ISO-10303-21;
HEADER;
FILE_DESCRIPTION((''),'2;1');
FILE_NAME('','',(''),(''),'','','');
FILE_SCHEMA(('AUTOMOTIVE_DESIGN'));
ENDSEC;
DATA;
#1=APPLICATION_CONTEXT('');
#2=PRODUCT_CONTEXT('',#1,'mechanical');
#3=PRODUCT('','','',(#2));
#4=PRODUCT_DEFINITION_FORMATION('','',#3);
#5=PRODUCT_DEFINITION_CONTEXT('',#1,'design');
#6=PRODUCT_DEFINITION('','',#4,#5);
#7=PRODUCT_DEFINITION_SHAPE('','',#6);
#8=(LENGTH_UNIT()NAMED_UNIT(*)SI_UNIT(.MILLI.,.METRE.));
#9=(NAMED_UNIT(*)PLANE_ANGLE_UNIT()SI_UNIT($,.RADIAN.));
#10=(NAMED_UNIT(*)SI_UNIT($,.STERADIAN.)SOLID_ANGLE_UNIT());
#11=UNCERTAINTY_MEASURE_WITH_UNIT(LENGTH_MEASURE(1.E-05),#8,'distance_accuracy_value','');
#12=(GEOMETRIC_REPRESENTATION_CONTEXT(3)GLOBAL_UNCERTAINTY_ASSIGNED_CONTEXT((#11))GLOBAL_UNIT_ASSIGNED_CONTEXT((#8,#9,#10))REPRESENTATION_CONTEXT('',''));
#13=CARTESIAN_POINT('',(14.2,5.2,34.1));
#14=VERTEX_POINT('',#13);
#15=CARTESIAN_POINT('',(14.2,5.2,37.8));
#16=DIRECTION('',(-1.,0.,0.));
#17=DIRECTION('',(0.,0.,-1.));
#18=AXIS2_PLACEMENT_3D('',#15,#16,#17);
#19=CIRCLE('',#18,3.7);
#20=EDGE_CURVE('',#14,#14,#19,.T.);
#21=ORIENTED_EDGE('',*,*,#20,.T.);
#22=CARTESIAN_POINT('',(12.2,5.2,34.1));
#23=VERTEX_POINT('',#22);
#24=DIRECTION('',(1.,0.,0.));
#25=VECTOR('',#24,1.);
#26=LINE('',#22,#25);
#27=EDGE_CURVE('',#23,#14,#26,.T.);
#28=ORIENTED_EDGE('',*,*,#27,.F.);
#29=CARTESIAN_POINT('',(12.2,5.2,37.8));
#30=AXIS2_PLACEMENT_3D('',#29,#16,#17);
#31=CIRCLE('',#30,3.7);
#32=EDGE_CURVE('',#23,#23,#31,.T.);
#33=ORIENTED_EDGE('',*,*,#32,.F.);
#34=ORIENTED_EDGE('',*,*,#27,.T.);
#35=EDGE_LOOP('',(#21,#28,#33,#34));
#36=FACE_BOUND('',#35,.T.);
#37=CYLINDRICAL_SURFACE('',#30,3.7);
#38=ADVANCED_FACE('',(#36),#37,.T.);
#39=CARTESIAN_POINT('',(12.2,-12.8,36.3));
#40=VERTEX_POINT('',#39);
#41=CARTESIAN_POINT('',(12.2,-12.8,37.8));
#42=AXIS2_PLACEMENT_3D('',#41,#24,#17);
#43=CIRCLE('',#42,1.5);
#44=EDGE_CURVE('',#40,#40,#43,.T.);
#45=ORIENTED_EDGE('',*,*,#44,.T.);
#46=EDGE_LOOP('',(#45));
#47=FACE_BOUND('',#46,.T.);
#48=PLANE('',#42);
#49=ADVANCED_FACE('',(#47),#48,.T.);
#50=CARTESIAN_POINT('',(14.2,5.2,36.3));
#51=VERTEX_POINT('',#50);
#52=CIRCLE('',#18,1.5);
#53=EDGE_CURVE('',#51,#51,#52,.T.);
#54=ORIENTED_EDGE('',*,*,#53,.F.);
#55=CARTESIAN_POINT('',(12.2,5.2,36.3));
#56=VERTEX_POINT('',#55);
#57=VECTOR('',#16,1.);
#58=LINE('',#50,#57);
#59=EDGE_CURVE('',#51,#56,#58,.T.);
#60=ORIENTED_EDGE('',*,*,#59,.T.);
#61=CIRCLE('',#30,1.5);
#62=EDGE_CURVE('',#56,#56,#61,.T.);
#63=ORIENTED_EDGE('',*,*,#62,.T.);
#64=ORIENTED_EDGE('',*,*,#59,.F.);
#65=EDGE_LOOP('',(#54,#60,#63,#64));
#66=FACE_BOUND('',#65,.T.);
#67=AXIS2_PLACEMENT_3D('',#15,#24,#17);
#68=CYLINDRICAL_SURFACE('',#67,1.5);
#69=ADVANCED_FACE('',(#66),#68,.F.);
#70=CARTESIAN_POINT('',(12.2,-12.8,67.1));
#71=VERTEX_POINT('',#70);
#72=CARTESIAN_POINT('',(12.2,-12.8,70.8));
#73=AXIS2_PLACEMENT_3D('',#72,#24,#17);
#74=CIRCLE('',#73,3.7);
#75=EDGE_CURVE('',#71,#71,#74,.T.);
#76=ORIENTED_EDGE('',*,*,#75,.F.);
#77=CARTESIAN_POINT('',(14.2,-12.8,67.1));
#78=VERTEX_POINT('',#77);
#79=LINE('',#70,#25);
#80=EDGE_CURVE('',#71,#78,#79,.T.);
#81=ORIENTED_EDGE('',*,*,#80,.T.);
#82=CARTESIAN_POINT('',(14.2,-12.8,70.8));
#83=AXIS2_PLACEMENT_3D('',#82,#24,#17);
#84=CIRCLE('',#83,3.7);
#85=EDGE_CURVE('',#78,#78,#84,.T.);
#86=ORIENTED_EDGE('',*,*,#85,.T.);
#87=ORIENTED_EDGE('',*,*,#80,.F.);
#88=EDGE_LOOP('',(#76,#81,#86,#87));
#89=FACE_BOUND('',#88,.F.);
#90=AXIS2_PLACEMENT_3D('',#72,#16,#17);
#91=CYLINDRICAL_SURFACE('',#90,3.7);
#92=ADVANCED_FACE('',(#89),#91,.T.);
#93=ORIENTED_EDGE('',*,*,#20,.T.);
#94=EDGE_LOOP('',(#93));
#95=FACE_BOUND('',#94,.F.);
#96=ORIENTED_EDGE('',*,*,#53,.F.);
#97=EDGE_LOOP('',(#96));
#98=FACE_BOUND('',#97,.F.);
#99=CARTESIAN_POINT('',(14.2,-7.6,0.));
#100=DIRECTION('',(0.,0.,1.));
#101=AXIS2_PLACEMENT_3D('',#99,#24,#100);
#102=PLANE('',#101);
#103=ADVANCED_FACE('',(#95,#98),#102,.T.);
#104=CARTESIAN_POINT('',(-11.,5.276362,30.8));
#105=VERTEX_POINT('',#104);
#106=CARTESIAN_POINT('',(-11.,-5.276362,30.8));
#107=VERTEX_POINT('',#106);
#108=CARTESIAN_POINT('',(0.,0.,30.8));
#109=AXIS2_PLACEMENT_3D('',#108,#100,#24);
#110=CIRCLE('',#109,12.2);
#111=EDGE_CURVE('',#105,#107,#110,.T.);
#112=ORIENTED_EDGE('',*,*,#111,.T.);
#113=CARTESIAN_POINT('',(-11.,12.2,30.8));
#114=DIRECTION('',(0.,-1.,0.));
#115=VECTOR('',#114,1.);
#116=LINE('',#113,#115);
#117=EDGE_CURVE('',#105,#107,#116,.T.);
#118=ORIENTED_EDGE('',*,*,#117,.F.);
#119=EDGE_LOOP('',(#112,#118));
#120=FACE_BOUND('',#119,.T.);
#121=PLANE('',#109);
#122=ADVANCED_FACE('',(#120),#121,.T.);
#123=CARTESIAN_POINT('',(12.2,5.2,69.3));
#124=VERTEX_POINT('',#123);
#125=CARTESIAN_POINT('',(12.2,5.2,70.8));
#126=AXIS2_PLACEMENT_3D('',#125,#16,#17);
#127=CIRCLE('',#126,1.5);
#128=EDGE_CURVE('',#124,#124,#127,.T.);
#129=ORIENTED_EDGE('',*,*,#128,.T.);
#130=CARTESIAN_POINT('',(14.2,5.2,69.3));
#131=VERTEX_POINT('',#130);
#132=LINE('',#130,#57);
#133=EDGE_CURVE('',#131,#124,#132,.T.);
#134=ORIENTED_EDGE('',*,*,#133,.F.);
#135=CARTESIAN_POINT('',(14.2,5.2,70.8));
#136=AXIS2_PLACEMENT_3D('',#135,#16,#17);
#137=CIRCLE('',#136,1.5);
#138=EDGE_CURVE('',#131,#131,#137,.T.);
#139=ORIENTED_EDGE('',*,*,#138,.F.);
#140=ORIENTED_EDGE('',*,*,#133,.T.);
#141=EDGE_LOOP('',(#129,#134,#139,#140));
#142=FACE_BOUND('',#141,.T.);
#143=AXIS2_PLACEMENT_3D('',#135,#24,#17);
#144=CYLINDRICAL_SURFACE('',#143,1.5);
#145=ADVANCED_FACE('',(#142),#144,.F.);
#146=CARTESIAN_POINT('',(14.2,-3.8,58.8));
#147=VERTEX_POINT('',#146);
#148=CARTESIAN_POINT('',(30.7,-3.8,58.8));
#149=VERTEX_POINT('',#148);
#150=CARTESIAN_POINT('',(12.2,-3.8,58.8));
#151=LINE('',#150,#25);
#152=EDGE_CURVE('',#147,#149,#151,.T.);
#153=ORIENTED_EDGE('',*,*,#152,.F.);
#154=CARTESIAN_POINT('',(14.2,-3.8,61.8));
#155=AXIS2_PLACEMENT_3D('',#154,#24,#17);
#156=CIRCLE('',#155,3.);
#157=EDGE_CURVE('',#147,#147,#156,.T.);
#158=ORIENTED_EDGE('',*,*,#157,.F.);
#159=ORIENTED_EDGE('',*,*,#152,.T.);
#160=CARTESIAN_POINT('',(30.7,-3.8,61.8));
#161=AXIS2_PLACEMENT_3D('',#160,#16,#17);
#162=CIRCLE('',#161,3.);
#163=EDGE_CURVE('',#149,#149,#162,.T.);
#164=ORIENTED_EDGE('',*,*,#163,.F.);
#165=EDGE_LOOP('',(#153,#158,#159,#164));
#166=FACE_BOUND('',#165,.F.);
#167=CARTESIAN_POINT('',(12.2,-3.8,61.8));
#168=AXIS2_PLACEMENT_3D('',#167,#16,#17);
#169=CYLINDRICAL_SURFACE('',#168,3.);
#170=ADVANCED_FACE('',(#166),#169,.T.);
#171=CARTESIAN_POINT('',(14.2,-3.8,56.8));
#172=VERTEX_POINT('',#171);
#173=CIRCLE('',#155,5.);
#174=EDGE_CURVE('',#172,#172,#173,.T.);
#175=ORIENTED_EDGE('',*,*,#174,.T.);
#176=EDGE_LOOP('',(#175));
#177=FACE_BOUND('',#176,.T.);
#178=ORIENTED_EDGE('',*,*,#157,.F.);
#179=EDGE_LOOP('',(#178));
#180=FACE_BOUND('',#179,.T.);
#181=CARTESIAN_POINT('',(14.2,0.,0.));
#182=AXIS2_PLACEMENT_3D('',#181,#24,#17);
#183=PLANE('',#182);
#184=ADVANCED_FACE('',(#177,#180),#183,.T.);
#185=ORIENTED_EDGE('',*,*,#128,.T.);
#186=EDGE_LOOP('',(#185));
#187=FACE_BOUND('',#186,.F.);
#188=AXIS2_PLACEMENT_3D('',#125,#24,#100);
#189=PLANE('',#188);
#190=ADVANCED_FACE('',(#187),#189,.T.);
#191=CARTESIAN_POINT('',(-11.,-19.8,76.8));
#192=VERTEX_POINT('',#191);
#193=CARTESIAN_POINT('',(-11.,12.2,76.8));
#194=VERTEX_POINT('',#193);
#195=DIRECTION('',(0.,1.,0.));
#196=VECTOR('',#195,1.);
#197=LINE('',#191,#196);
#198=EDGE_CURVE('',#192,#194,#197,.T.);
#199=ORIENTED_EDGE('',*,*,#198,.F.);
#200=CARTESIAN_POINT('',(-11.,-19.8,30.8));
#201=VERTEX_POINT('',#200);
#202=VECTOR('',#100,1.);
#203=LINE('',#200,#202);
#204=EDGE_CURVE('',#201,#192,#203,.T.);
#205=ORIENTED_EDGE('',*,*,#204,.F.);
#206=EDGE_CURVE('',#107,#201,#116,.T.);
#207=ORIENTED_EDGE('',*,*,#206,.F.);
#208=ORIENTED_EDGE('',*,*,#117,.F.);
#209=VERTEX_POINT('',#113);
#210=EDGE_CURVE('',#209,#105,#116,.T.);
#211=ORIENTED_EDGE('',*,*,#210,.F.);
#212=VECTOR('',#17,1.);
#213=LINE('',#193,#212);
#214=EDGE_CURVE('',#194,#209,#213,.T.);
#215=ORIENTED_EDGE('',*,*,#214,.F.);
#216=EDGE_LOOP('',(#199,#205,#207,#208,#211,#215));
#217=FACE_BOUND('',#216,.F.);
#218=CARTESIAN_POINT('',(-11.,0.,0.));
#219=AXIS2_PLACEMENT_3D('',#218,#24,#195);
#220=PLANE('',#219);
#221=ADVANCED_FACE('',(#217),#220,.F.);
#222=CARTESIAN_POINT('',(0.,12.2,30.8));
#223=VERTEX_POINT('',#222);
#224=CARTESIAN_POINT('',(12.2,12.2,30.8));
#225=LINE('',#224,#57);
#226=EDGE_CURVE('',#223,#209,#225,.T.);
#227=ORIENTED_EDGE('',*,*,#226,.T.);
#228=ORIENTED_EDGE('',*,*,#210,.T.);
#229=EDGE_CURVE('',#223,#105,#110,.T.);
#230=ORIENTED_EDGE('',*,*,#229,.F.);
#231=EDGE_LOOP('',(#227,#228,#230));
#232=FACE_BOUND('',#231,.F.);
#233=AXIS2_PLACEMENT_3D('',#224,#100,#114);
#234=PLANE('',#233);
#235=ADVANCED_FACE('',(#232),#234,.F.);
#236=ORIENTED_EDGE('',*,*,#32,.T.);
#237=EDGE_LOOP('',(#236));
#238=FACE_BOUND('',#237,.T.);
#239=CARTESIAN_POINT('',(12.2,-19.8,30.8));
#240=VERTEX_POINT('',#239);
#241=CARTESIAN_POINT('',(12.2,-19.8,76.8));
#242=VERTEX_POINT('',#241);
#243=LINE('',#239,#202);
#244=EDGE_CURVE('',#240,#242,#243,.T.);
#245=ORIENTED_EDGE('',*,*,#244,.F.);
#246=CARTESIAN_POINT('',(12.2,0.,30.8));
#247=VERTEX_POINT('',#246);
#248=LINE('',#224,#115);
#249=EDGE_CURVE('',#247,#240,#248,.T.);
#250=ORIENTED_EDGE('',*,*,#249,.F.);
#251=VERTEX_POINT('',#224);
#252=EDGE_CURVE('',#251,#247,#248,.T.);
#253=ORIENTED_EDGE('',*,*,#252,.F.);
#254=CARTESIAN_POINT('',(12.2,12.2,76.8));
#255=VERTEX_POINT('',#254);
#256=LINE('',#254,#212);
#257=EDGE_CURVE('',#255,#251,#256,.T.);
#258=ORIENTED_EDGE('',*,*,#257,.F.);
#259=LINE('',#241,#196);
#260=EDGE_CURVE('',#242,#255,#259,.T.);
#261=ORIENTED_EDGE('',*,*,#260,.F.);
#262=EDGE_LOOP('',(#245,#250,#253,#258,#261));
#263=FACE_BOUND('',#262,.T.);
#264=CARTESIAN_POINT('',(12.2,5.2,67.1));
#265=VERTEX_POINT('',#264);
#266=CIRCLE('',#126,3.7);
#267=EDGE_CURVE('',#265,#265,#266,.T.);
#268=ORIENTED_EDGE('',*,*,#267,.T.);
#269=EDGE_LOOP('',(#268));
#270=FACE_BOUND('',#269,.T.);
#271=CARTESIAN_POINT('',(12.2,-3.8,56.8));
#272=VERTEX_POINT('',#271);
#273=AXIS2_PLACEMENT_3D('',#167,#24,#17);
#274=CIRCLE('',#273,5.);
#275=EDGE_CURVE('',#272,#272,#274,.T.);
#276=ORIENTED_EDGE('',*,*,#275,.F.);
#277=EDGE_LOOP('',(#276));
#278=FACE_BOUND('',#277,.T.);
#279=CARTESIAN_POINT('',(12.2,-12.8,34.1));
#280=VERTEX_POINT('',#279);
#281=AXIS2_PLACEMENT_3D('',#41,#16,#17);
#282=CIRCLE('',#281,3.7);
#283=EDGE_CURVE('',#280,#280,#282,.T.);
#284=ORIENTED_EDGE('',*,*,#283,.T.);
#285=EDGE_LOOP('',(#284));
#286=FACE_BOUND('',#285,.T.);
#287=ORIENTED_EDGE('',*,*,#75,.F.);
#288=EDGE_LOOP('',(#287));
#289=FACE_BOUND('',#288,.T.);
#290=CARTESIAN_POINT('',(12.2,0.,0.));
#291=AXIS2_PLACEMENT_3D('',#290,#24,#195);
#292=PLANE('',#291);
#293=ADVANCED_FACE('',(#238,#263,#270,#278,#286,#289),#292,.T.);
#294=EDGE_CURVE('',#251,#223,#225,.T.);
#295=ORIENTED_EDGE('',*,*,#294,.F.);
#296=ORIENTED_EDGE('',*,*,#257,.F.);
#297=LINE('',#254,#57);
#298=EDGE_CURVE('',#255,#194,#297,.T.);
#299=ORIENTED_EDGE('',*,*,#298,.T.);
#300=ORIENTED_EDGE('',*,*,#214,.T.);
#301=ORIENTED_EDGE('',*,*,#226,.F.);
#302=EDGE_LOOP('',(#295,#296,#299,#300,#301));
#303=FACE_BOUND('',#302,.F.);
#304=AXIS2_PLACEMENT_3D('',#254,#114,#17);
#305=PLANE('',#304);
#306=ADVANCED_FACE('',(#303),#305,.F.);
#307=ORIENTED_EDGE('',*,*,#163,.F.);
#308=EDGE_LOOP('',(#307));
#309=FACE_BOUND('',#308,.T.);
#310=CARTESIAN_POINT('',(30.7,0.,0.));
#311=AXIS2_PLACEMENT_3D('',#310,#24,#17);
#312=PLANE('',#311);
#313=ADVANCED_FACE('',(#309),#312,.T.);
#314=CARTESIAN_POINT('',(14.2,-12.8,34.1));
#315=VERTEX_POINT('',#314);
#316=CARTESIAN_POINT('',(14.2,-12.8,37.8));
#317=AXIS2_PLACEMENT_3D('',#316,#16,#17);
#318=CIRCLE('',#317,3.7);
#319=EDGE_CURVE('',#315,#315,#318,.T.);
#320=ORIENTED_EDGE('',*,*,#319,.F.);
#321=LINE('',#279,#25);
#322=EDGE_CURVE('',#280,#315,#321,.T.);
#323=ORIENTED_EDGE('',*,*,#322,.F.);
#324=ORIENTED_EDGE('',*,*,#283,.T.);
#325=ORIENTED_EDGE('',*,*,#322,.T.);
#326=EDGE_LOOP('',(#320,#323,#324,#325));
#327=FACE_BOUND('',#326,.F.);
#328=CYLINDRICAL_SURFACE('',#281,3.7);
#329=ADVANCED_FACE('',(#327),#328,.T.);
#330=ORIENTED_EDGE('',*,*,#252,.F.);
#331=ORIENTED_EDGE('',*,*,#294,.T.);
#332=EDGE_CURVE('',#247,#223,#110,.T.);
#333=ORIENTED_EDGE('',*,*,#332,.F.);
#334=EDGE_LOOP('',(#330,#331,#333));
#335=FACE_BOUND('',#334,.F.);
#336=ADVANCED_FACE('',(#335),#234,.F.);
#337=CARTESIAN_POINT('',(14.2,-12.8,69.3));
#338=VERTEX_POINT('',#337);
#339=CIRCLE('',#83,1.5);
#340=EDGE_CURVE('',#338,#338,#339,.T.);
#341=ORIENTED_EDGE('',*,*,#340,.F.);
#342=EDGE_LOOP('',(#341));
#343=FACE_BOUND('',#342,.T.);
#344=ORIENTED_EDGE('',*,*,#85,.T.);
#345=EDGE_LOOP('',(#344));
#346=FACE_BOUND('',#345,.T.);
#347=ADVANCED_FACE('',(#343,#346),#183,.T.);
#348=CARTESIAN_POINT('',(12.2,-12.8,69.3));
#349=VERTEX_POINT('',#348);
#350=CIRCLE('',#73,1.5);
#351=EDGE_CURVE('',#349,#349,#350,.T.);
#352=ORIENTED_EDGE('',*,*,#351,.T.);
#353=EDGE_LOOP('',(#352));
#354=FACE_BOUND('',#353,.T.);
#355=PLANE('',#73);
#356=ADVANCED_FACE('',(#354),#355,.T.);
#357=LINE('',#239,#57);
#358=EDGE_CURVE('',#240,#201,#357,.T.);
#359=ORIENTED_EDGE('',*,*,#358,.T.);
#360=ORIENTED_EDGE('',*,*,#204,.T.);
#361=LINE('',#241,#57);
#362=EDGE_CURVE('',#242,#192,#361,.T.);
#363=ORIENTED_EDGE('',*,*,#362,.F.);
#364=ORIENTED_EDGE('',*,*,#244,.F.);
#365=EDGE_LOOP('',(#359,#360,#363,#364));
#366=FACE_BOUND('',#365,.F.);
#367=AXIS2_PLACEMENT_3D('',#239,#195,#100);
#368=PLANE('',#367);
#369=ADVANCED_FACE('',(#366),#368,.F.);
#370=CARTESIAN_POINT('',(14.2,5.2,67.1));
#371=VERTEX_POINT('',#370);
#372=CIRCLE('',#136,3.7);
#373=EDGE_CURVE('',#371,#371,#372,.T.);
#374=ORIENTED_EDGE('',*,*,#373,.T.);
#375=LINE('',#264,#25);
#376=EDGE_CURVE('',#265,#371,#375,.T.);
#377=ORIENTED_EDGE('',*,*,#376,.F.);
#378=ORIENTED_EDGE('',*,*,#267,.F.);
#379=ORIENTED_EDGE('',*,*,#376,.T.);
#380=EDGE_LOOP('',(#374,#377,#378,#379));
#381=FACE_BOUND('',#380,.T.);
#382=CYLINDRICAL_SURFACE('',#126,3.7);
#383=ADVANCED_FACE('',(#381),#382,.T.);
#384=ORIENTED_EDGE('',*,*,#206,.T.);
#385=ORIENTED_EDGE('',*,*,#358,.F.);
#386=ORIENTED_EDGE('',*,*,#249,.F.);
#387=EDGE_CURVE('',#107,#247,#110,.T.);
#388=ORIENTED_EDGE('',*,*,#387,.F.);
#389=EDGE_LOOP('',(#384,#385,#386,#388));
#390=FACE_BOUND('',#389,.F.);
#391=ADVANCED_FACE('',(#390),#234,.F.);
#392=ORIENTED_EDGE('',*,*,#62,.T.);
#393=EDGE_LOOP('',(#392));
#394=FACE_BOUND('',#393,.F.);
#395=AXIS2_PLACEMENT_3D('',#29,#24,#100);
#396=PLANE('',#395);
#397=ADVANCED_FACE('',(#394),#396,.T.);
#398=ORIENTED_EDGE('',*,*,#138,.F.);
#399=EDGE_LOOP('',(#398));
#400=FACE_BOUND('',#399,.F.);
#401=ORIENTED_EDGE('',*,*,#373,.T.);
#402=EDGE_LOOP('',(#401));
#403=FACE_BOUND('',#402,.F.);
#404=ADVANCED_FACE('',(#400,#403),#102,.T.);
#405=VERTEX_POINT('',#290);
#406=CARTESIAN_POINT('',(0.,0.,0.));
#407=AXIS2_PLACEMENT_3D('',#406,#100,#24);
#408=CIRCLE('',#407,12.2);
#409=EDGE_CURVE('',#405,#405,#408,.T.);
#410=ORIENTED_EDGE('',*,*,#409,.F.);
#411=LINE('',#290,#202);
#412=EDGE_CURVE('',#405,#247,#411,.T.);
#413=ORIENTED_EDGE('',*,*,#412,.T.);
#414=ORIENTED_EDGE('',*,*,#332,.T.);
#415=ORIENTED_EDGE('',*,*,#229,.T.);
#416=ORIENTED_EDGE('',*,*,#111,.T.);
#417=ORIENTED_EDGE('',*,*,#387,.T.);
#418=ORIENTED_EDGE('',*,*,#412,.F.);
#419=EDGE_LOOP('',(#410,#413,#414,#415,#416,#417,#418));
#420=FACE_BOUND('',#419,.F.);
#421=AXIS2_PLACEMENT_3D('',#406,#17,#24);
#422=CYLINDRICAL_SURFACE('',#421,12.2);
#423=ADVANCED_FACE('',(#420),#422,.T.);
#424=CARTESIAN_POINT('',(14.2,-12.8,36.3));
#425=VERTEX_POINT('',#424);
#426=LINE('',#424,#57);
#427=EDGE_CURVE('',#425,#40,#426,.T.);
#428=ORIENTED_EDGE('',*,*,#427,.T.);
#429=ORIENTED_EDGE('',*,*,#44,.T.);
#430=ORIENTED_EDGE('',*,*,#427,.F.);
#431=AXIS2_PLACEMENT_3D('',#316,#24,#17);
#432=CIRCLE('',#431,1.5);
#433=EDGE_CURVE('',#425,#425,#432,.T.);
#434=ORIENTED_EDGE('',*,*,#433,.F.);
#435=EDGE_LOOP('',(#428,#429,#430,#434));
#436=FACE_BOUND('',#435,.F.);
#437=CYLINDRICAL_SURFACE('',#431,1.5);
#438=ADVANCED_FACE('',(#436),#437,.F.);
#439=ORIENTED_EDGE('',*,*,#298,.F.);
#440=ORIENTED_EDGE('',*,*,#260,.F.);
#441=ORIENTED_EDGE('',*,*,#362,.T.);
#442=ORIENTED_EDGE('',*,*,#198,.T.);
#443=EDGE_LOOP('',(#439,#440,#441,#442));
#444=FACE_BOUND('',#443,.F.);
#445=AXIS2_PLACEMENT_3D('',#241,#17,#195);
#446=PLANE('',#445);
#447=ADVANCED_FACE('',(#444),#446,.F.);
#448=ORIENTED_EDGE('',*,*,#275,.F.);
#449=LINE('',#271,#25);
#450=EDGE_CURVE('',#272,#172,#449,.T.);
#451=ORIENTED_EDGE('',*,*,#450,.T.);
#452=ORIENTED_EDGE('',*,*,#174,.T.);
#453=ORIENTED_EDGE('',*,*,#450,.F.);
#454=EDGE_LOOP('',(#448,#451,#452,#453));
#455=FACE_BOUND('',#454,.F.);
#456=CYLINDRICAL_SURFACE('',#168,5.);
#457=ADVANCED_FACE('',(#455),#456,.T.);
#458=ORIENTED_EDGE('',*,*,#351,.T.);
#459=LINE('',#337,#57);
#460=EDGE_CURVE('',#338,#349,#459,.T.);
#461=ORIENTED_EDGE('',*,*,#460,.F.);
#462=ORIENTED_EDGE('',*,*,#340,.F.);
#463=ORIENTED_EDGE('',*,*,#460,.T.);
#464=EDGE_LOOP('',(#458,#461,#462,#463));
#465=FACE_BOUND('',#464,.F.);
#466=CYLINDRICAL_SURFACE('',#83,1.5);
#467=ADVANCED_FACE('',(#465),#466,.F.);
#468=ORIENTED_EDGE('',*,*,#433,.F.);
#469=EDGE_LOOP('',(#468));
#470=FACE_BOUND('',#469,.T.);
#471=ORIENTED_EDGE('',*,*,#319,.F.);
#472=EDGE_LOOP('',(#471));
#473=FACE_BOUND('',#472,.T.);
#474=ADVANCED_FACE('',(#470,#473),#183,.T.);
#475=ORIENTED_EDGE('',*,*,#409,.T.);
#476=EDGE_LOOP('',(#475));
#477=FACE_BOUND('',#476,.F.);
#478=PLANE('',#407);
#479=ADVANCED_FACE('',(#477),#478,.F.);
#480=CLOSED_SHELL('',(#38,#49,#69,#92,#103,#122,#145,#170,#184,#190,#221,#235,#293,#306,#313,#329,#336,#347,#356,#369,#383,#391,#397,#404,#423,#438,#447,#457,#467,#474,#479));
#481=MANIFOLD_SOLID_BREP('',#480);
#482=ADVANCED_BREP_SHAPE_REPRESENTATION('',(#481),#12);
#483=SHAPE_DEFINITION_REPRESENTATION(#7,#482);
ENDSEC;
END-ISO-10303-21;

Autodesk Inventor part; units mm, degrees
ref_plane "XZ Plane" through (0, 0, 0) normal (0, 1, 0) x (-1, 0, 0)
sketch "Эскиз1" plane through (0, 0, 0) normal (0, 0, 1) x (1, 0, 0)
  circle A0 centre (0, 0) radius 12.2
  dimension "d0" = 24.4
extrude "Выдавливание1" add sketch "Эскиз1" along normal blind 30.8
ref_plane "РабПлоскость1" through (12.2, 0, 0) normal (1, 0, 0) x (0, 1, 0)
sketch "Эскиз2" plane through (12.2, 0, 0) normal (1, 0, 0) x (0, 1, 0)
  line L0 (12.2, 0) -> (12.2, 30.8) projected
  line L1 (12.2, 30.8) -> (-19.8, 30.8)
  line L2 (-19.8, 30.8) -> (-19.8, 76.8)
  line L3 (-19.8, 76.8) -> (12.2, 76.8)
  line L4 (12.2, 76.8) -> (12.2, 30.8)
  point P0 (0, 0)
  dimension "d3" = 46
  dimension "d4" = 32
extrude "Выдавливание2" add sketch "Эскиз2" against normal blind 23.2
sketch "Эскиз3" plane through (12.2, 0, 0) normal (1, 0, 0) x (0, 0, -1)
  circle A0 centre (-70.8, -12.8) radius 3.7
  line L0 (0, 0) -> (0, -12.8)
  line L1 (0, -12.8) -> (-70.8, -12.8)
  point P0 (-76.8, -19.8)
  dimension "d10" = 7.4
  dimension "d11" = 12.8
  dimension "d12" = 70.8
extrude "Выдавливание3" add sketch "Эскиз3" along normal blind 2
ref_plane "РабПлоскость2" through (12.2, -3.8, 30.8) normal (0, -1, 0) x (1, 0, 0)
mirror "Зеркальное отражение1" about plane through (12.2, -3.8, 30.8) normal (0, -1, 0) of "Выдавливание3"
sketch "Эскиз4" plane through (12.2, 0, 0) normal (1, 0, 0) x (0, 0, -1)
  line L0 (-30.8, -5.2764) -> (-30.8, -19.8) projected
  line L1 (-30.8, -19.8) -> (-37.8, -19.8)
  line L2 (-30.8, -19.8) -> (-76.8, -19.8) projected
  line L3 (-37.8, -19.8) -> (-37.8, -12.8)
  circle A0 centre (-37.8, -12.8) radius 3.7
  point P0 (0, 0)
  dimension "d15" = 7
  dimension "d16" = 7
  dimension "d17" = 7.4
extrude "Выдавливание4" add sketch "Эскиз4" along normal blind 2
mirror "Зеркальное отражение2" about plane through (12.2, -3.8, 30.8) normal (0, -1, 0) of "Выдавливание4"
sketch "Эскиз5" plane through (12.2, 0, 0) normal (1, 0, 0) x (0, 0, -1)
  circle A0 centre (-70.8, -12.8) radius 3.7 projected
  circle A1 centre (-70.8, 5.2) radius 3.7 projected
  line L0 (-76.8, -19.8) -> (-61.8, -19.8)
  line L1 (-61.8, -19.8) -> (-61.8, -3.8)
  circle A2 centre (-61.8, -3.8) radius 3
  point P0 (0, 0)
  dimension "d20" = 15
  dimension "d21" = 16
  dimension "d22" = 6
extrude "Выдавливание5" add sketch "Эскиз5" along normal blind 18.5 contours A2
sketch "Эскиз6" plane through (14.2, -12.8, 70.8) normal (1, 0, 0) x (0, 0, -1)
  circle A0 centre (0, 0) radius 3.7 projected
  circle A1 centre (0, 0) radius 1.5
  point P0 (70.8, 12.8)
  dimension "d25" = 3
extrude "Выдавливание6" cut sketch "Эскиз6" against normal blind 2 contours A1
mirror "Зеркальное отражение3" about plane through (12.2, -3.8, 30.8) normal (0, -1, 0) of "Выдавливание6"
sketch "Эскиз8" plane through (14.2, -12.8, 37.8) normal (1, 0, 0) x (0, 0, -1)
  circle A0 centre (0, 0) radius 3.7 projected
  circle A1 centre (0, 0) radius 1.5
  point P0 (37.8, 12.8)
  dimension "d28" = 3
extrude "Выдавливание7" cut sketch "Эскиз8" against normal blind 2 contours A1
mirror "Зеркальное отражение4" about plane through (12.2, -3.8, 30.8) normal (0, -1, 0) of "Выдавливание7"
sketch "Эскиз9" plane through (12.2, 0, 0) normal (1, 0, 0) x (0, 0, -1)
  circle A0 centre (-61.8, -3.8) radius 3 projected
  circle A1 centre (-61.8, -3.8) radius 5
  point P0 (0, 0)
  dimension "d31" = 10
extrude "Выдавливание8" add sketch "Эскиз9" along normal blind 2
properties part number "Мотор"
